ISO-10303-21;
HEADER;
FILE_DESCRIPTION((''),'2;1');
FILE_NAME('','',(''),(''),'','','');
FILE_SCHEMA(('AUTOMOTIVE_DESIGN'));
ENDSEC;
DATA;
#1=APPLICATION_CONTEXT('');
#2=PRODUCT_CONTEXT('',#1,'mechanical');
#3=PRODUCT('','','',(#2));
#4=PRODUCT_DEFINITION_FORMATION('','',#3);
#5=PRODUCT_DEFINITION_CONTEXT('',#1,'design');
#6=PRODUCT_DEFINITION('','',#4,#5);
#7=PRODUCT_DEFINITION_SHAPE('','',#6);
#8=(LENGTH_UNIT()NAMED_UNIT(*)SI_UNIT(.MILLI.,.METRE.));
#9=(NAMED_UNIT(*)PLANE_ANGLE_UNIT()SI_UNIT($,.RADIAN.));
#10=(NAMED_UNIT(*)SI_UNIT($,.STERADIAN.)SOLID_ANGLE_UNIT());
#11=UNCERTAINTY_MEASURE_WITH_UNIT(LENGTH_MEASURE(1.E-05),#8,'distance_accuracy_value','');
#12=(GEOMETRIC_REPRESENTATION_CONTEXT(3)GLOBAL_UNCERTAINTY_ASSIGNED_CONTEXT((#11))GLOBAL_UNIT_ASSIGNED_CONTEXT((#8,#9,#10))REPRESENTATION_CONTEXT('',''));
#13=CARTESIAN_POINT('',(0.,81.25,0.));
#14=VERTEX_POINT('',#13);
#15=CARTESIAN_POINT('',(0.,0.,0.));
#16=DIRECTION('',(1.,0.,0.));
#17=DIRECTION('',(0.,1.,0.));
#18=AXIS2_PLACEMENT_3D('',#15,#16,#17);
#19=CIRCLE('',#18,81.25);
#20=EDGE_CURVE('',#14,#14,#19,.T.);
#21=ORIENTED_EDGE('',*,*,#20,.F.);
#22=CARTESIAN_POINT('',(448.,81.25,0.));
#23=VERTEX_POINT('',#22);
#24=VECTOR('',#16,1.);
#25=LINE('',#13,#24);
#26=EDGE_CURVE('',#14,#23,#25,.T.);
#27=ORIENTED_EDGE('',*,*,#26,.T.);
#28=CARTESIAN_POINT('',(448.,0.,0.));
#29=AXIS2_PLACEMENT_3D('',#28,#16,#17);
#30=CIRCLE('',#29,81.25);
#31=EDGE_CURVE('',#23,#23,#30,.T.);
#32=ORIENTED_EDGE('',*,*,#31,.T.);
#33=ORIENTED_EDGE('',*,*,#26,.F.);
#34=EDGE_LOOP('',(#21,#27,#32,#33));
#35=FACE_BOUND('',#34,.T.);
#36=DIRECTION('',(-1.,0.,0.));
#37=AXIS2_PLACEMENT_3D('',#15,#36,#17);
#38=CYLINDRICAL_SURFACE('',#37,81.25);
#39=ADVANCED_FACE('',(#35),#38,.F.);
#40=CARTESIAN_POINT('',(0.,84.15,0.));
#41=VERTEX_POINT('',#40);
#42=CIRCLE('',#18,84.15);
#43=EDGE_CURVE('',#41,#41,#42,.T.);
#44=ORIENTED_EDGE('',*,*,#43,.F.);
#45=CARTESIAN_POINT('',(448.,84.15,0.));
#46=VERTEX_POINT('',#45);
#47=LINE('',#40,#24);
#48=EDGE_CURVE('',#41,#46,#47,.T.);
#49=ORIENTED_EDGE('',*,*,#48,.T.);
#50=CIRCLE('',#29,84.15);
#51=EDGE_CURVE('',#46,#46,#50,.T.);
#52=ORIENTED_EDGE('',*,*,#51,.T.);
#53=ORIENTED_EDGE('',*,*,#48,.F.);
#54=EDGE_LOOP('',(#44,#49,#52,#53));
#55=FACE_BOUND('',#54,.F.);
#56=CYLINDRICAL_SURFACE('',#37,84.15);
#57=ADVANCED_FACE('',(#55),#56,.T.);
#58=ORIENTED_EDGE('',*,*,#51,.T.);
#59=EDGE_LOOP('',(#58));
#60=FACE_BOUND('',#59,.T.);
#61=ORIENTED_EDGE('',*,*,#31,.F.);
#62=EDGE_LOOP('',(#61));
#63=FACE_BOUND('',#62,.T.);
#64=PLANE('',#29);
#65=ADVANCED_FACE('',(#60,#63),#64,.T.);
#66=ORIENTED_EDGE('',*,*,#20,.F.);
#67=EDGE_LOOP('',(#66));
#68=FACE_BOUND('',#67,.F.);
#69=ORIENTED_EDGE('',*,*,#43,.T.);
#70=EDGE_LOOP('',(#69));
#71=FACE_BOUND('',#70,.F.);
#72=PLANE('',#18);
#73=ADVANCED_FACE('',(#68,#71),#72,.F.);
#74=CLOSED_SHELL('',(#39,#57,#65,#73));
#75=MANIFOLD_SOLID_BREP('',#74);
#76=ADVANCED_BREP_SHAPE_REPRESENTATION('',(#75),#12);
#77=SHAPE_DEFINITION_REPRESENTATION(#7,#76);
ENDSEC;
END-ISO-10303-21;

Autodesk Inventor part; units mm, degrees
ref_plane "YZ Plane" through (0, 0, 0) normal (1, 0, 0) x (0, 1, 0)
ref_plane "XZ Plane" through (0, 0, 0) normal (0, 1, 0) x (-1, 0, 0)
ref_plane "XY Plane" through (0, 0, 0) normal (0, 0, 1) x (1, 0, 0)
sketch "Sketch1" plane through (0, 0, 0) normal (1, 0, 0) x (0, 1, 0)
  circle A0 centre (0, 0) radius 84.15
  circle A1 centre (0, 0) radius 81.25
  dimension "d0" = 168.3
  dimension "d1" = 2.9
extrude "Extrusion1" add sketch "Sketch1" along normal blind 448
equation "\"d0\" = OD"
equation "\"d1\" = t"
equation "\"d2\" = L"
equation "\"OD\" = 168.3"
equation "\"t\" = 2.9"
equation "\"L\" = PL"
equation "\"ID\" = 162.5"
equation "\"PL\" = 448"
equation "\"Size_Designation\" = 1.2345"
properties material "Steel"
